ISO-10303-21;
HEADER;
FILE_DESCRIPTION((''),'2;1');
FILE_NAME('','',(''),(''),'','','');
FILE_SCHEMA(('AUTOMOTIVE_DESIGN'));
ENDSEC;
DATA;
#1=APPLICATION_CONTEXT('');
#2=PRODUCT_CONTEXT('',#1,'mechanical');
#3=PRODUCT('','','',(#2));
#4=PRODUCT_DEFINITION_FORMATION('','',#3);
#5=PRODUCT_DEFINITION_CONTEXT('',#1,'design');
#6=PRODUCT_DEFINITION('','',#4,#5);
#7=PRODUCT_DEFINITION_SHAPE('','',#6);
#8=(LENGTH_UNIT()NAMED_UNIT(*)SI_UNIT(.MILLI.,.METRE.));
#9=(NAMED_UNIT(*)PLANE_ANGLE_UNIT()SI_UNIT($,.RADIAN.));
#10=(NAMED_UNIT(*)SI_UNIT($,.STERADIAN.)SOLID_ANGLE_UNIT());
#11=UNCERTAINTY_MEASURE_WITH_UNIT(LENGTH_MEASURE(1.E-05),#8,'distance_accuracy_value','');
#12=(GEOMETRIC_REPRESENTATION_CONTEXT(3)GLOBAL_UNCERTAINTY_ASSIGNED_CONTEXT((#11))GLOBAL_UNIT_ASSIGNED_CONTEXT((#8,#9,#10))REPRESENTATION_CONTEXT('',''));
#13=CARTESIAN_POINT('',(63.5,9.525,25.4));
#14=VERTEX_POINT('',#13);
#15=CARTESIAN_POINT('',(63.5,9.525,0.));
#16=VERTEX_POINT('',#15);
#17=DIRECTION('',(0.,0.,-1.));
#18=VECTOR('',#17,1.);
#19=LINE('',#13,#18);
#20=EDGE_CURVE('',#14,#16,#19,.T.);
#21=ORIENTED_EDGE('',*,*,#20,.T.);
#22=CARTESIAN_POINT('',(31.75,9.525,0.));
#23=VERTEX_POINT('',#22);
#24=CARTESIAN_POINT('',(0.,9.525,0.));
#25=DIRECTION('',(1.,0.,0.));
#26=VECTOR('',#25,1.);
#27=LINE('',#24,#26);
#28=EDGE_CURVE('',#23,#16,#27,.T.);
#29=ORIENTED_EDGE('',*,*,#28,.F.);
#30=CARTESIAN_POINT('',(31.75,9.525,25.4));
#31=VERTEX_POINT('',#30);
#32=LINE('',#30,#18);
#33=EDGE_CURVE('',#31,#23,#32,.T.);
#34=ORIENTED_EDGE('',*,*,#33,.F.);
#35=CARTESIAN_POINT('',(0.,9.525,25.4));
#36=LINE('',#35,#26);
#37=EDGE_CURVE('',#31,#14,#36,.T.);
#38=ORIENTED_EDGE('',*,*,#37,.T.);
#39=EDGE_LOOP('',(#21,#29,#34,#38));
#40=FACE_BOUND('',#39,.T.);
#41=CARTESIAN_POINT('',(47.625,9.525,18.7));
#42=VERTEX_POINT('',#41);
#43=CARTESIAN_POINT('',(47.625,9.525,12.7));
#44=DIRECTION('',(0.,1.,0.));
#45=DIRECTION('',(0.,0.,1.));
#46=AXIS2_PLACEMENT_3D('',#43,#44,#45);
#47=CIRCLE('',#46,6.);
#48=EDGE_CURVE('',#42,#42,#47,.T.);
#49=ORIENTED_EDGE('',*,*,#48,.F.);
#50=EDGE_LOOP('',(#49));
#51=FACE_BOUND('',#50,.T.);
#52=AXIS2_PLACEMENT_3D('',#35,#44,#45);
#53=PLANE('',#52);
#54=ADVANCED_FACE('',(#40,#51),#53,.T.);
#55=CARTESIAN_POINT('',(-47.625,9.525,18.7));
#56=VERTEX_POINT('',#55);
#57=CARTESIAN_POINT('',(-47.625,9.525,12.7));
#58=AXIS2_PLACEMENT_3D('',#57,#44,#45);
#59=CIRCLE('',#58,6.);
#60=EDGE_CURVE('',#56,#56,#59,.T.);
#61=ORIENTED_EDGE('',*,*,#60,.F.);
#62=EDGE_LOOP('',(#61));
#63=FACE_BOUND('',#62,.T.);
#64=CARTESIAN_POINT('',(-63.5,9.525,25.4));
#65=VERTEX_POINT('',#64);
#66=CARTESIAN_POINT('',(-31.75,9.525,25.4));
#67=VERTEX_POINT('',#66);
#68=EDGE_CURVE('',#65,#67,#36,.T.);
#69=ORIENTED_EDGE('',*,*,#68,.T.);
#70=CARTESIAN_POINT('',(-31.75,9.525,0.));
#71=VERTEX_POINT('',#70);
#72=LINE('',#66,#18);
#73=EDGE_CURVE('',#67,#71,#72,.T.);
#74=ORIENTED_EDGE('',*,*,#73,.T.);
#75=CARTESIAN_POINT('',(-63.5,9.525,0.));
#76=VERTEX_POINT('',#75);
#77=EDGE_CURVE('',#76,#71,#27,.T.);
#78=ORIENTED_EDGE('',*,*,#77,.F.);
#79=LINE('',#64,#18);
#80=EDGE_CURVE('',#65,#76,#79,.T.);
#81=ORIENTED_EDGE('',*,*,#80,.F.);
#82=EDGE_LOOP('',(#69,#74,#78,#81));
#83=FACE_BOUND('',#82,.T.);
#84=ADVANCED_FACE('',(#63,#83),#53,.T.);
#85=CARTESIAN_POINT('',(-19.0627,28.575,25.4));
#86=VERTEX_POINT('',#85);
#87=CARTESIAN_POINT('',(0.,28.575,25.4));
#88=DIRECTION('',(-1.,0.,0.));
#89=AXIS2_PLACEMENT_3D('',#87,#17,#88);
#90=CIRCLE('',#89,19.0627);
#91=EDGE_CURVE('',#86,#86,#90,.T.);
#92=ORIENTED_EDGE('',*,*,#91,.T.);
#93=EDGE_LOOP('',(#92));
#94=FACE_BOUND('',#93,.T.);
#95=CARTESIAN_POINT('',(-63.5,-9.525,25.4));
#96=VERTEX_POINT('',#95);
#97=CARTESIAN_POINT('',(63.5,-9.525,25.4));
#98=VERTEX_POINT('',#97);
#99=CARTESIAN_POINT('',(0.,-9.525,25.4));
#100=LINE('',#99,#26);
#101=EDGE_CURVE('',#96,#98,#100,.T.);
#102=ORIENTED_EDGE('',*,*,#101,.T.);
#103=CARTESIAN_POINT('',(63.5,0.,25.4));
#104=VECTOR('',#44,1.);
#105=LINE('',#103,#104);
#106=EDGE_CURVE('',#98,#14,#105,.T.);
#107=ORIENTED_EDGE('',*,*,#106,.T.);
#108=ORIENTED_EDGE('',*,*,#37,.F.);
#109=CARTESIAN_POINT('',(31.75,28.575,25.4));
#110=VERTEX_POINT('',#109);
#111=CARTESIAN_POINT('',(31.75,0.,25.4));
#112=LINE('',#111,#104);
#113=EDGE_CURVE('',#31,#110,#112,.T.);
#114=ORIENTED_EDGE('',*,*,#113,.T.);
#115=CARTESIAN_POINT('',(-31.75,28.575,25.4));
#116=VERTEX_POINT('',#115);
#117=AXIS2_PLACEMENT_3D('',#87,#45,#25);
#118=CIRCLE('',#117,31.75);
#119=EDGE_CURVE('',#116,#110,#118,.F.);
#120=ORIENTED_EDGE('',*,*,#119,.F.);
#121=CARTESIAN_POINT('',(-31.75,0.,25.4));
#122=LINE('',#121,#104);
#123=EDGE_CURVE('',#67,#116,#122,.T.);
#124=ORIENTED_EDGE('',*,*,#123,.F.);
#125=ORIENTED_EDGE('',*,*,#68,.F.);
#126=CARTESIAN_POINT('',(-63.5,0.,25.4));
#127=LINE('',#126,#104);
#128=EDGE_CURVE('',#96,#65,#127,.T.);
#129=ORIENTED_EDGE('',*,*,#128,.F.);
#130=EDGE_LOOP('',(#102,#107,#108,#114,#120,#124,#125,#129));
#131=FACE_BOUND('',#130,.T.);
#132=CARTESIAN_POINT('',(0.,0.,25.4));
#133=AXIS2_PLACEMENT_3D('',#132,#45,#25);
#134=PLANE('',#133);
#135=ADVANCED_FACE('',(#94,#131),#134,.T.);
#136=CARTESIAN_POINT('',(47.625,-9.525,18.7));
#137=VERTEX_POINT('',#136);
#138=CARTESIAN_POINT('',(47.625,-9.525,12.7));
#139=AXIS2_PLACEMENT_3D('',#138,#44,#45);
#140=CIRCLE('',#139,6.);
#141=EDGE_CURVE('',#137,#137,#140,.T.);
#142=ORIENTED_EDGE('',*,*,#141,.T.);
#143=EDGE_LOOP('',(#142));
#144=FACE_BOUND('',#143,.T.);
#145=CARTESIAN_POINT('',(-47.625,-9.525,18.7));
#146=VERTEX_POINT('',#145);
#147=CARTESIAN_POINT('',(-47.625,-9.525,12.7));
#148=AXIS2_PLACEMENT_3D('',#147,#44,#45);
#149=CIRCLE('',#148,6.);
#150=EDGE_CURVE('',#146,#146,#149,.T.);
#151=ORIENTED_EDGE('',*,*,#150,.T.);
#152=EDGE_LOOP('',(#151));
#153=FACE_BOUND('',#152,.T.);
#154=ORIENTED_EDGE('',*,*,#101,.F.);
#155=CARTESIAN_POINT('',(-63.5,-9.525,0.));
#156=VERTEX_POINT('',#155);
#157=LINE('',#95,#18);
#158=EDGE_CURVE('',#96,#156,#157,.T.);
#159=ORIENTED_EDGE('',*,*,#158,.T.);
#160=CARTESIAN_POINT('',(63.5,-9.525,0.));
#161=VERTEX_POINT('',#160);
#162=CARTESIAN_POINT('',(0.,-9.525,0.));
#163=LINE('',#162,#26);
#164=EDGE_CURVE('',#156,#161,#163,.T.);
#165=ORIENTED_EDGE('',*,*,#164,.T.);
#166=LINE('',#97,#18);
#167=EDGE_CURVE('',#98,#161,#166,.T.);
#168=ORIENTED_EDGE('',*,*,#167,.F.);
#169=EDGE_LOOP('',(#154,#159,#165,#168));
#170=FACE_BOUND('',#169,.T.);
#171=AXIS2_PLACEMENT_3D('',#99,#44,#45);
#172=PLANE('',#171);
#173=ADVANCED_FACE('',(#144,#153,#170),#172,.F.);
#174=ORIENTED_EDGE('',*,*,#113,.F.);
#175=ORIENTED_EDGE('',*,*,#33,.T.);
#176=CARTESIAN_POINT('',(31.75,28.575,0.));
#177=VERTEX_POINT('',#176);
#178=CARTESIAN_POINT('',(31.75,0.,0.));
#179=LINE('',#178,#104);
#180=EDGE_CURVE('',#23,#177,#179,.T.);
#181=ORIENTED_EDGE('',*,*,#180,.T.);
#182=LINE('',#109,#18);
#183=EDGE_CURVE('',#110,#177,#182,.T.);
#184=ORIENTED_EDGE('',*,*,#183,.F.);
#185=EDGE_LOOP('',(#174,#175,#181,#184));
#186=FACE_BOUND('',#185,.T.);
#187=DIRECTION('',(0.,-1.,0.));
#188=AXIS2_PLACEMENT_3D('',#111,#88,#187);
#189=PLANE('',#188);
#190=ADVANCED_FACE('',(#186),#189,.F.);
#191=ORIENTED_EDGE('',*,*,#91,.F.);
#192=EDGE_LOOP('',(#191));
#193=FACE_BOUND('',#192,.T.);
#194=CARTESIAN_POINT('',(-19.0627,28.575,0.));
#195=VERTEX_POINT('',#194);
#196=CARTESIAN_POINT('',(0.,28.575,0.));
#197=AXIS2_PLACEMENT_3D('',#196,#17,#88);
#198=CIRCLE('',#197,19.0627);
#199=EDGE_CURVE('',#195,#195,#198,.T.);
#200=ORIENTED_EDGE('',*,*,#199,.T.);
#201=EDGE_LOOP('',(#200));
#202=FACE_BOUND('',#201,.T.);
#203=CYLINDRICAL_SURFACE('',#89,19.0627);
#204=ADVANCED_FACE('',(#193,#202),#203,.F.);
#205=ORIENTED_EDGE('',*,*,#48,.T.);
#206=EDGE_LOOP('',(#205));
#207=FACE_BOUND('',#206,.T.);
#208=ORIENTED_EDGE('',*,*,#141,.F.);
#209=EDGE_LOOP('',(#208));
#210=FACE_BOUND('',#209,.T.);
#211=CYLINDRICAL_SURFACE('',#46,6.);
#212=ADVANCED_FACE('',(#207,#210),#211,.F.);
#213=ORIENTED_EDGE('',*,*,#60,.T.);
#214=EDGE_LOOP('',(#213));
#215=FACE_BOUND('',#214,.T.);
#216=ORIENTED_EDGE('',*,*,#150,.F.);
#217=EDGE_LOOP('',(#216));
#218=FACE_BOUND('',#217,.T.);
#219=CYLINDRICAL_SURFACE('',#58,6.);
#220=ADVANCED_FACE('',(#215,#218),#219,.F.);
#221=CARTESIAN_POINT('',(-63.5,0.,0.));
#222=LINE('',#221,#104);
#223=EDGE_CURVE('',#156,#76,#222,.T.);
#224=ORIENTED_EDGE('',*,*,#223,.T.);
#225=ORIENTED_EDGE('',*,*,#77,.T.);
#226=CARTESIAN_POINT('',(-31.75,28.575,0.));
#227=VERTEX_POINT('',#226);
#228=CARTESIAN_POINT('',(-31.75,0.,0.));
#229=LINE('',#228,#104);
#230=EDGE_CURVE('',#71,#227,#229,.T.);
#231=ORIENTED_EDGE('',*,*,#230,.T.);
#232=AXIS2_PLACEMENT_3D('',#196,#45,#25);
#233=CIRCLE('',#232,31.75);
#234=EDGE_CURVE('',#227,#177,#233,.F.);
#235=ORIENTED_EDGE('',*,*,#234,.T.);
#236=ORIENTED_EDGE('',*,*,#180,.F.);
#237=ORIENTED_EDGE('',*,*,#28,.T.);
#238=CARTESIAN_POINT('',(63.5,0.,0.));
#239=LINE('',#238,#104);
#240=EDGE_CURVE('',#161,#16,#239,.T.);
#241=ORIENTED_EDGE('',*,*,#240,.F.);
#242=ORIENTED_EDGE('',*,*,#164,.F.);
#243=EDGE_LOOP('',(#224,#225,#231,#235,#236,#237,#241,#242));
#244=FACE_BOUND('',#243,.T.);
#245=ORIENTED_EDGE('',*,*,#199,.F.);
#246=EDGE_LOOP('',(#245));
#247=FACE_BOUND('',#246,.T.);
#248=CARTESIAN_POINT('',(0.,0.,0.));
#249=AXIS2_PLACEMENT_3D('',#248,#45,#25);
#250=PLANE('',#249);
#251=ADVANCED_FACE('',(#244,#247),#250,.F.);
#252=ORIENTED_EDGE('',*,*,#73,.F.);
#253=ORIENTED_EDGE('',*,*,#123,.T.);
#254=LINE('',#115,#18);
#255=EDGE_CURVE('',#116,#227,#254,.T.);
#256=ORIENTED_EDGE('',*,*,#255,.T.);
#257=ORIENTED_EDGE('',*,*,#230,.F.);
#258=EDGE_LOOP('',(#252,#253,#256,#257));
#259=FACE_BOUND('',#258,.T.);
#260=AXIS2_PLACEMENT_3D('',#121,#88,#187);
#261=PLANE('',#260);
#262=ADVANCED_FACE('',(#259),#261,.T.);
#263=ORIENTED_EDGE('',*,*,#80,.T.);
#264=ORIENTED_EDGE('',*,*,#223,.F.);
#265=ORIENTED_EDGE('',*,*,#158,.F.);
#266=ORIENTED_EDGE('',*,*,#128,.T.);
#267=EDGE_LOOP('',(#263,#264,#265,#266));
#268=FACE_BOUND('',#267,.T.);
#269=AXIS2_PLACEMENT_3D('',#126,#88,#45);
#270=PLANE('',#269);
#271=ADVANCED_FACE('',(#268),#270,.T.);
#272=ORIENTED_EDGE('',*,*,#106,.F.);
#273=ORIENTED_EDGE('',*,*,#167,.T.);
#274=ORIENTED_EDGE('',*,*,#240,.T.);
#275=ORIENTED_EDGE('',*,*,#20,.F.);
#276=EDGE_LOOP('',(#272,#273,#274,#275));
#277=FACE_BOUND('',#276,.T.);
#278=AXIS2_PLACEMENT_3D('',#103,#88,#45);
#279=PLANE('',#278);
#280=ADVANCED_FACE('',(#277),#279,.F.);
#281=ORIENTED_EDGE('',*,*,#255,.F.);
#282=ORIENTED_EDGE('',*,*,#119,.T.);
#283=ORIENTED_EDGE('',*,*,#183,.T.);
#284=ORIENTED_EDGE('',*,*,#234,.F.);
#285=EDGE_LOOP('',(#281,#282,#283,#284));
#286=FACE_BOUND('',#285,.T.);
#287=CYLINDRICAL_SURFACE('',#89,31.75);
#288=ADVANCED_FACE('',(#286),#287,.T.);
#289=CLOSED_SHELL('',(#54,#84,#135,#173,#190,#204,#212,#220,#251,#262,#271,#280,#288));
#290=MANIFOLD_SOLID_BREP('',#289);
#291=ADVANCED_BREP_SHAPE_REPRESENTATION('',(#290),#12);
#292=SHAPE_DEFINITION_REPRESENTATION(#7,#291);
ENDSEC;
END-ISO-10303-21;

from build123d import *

# Parameters (mm, degrees)
SKETCH1_W                  = 63.5
SKETCH1_H                  = 19.05
SKETCH1_W_2                = 127
BOSS_EXTRUDE1_DEPTH        = 25.4
SKETCH5_R                  = 19.0627
CUT_EXTRUDE1_DEPTH         = 26.4
F_12_0_12_DIAMETER_HOLE1_D = 12


with BuildPart() as part:
    # Sketch1 → Boss-Extrude1 (new body)
    with BuildSketch(Plane.XY):
        with BuildLine():
            ThreePointArc((-31.75, 28.575), (0, 60.325), (31.75, 28.575))
            Line((31.75, 28.575), (-31.75, 28.575))
        make_face()
        with Locations((0, 19.05)):
            Rectangle(SKETCH1_W, SKETCH1_H)
        Rectangle(SKETCH1_W_2, SKETCH1_H)
    extrude(amount=BOSS_EXTRUDE1_DEPTH)

    # Sketch5 → Cut-Extrude1 (cut, through all)
    with BuildSketch(Plane(origin=(0, 0, 0), x_dir=(-1, 0, 0), z_dir=(0, 0, -1))):
        with Locations((0, 28.575)):
            Circle(SKETCH5_R)
    extrude(amount=-CUT_EXTRUDE1_DEPTH, mode=Mode.SUBTRACT)

    # Ø12.0 (12) Diameter Hole1 (through all)
    with Locations(Plane(origin=(0, 9.525, 0), x_dir=(1, 0, 0), z_dir=(0, 1, 0))):
        with Locations((-47.625, -12.7), (47.625, -12.7)):
            Hole(F_12_0_12_DIAMETER_HOLE1_D / 2)


solid = part.part
